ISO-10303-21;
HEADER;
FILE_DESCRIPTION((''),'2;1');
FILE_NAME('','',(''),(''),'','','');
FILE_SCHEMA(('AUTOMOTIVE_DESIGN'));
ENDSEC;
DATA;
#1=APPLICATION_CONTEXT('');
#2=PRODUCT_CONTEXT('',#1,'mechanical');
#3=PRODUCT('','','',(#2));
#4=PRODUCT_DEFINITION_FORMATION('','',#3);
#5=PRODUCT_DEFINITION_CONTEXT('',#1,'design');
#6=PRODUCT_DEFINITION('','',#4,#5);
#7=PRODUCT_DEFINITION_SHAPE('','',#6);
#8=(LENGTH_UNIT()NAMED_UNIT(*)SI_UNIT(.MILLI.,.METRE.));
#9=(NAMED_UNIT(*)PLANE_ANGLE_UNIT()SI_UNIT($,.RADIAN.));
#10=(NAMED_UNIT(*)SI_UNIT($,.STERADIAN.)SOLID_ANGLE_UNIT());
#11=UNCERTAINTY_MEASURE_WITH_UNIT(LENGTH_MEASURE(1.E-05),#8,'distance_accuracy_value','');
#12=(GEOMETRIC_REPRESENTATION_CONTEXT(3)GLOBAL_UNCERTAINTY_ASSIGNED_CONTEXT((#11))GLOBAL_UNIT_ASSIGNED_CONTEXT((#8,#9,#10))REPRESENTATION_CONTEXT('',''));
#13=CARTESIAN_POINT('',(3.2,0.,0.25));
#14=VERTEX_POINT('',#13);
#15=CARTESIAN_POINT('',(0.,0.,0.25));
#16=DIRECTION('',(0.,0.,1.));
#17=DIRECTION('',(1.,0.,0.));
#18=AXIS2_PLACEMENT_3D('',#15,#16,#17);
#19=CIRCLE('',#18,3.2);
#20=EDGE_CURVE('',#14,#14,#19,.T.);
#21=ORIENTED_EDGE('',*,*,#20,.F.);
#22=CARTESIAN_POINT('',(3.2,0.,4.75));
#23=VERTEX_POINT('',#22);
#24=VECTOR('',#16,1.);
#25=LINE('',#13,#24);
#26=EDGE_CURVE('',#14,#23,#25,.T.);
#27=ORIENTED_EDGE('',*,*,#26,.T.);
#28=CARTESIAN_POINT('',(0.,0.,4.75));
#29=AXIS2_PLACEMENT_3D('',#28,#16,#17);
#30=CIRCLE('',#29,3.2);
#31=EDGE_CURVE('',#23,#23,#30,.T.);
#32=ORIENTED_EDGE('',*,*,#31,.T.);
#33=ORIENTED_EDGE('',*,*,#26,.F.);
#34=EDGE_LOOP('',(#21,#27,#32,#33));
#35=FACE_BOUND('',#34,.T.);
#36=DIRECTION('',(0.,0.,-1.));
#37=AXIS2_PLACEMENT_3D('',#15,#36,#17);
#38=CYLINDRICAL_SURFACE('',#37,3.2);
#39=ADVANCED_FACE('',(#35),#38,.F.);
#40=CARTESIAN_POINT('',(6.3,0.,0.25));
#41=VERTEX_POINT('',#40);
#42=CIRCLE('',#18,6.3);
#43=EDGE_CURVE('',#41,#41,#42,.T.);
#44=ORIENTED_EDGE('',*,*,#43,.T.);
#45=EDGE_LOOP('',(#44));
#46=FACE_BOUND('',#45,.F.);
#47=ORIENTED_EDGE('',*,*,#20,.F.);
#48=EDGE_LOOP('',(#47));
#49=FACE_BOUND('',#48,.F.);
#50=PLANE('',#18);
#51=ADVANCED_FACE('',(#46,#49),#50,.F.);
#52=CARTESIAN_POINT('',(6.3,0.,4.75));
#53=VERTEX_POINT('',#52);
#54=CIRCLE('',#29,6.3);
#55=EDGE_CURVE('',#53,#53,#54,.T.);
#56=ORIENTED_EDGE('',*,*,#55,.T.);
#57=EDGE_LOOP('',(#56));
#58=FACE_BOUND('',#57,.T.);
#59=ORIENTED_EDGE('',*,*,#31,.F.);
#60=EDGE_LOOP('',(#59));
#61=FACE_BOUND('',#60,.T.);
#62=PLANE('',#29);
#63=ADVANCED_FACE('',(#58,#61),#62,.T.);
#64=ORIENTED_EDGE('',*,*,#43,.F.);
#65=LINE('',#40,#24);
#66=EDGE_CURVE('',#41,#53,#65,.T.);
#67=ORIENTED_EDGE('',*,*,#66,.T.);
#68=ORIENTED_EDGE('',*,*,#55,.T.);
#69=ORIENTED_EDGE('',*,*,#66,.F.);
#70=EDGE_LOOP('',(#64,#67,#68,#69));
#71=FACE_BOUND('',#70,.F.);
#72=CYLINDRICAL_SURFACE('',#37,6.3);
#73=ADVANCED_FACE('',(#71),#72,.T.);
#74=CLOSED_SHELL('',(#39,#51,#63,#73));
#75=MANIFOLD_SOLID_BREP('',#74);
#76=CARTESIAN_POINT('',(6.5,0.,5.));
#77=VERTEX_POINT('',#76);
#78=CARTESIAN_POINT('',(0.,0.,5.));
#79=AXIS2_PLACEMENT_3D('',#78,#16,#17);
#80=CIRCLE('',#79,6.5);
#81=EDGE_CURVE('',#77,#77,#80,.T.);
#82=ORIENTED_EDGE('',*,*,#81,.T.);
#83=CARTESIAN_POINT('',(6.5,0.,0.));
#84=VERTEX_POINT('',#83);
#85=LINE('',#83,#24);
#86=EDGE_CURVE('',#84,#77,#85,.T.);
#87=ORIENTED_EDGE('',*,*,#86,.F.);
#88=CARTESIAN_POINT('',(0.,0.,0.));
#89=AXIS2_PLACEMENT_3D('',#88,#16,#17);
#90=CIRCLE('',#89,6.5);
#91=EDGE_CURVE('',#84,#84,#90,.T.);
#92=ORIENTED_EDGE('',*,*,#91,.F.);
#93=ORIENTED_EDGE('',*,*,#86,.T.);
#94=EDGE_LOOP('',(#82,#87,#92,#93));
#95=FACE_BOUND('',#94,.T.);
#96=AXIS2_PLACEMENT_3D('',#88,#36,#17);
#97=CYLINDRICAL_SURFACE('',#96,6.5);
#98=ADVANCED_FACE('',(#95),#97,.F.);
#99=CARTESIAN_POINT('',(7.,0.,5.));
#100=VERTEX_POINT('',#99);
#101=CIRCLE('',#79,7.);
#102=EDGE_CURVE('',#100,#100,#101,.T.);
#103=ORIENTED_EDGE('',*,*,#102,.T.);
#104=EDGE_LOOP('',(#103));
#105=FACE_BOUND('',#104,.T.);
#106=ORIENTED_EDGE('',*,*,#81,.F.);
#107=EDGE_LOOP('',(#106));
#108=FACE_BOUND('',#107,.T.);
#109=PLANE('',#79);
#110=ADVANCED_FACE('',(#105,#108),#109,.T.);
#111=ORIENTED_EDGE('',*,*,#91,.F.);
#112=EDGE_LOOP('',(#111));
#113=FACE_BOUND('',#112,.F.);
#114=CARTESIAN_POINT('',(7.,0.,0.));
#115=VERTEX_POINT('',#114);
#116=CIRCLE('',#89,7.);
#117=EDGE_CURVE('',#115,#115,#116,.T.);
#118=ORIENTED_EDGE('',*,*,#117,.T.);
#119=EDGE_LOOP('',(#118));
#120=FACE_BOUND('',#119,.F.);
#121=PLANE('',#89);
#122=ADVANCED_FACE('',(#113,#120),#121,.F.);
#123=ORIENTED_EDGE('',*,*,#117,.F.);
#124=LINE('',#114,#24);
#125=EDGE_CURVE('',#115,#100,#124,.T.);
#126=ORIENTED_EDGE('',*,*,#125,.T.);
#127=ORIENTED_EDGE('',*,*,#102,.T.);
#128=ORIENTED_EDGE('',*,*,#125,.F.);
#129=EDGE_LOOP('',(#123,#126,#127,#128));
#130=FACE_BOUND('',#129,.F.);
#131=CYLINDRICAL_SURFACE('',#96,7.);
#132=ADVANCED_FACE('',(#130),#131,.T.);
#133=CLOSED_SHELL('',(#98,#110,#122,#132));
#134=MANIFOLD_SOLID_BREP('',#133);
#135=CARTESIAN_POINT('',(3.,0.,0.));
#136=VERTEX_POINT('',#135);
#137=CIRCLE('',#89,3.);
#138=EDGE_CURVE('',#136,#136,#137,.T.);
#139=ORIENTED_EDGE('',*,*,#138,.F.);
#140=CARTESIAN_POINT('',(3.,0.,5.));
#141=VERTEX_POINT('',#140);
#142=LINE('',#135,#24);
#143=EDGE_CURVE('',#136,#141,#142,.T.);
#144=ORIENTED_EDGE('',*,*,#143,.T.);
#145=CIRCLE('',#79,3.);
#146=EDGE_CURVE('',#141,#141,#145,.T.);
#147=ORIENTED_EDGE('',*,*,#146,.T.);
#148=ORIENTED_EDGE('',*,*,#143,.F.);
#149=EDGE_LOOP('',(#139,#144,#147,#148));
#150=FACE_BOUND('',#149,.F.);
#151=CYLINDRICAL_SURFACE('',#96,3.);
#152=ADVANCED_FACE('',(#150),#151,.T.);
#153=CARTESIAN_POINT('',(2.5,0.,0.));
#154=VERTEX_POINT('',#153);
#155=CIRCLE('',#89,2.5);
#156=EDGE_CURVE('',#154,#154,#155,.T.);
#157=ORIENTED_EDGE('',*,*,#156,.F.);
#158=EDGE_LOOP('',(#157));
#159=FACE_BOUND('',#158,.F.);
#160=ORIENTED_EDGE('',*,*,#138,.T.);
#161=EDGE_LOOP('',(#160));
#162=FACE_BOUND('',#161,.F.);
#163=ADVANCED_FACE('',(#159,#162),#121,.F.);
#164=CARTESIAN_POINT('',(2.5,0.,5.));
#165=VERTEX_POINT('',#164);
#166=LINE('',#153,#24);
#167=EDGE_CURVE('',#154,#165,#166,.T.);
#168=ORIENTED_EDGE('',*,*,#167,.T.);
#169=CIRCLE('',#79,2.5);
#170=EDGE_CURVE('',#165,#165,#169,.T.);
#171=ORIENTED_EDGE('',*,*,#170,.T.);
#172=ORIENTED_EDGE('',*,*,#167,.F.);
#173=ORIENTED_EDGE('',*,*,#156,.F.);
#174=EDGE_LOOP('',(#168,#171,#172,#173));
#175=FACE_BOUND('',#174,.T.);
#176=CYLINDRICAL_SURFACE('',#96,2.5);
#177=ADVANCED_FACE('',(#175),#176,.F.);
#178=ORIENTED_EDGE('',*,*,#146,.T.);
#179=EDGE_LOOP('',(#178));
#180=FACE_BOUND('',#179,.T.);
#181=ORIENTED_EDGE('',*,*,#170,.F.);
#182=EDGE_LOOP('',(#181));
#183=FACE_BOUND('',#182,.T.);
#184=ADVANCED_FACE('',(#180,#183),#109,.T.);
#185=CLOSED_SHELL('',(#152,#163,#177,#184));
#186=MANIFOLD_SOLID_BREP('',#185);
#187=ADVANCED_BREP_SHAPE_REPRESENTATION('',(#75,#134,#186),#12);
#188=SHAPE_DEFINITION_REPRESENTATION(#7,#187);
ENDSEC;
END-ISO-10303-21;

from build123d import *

# Parameters (mm, degrees)
F0_R     = 7
F0_R_2   = 6.5
F0_R_3   = 3
F0_R_4   = 2.5
F1_DEPTH = 5
F2_R     = 6.3
F2_R_2   = 3.2
F3_DEPTH = 4.5


with BuildPart() as f1:
    # F0 (on Top) → F1 (new body)
    with BuildSketch(Plane.XY):
        Circle(F0_R)
        Circle(F0_R_2, mode=Mode.SUBTRACT)
        Circle(F0_R_3)
        Circle(F0_R_4, mode=Mode.SUBTRACT)
    extrude(amount=F1_DEPTH)


with BuildPart() as f3:
    # F2 (on Top) → F3 (new body)
    with BuildSketch(Plane.XY):
        Circle(F2_R)
        Circle(F2_R_2, mode=Mode.SUBTRACT)
    extrude(amount=F3_DEPTH)


with BuildPart() as f3_1:
    # F4: moved
    add(f3.part.moved(Location((0, 0, 0.25))))


solid = Compound([f1.part, f3_1.part])
